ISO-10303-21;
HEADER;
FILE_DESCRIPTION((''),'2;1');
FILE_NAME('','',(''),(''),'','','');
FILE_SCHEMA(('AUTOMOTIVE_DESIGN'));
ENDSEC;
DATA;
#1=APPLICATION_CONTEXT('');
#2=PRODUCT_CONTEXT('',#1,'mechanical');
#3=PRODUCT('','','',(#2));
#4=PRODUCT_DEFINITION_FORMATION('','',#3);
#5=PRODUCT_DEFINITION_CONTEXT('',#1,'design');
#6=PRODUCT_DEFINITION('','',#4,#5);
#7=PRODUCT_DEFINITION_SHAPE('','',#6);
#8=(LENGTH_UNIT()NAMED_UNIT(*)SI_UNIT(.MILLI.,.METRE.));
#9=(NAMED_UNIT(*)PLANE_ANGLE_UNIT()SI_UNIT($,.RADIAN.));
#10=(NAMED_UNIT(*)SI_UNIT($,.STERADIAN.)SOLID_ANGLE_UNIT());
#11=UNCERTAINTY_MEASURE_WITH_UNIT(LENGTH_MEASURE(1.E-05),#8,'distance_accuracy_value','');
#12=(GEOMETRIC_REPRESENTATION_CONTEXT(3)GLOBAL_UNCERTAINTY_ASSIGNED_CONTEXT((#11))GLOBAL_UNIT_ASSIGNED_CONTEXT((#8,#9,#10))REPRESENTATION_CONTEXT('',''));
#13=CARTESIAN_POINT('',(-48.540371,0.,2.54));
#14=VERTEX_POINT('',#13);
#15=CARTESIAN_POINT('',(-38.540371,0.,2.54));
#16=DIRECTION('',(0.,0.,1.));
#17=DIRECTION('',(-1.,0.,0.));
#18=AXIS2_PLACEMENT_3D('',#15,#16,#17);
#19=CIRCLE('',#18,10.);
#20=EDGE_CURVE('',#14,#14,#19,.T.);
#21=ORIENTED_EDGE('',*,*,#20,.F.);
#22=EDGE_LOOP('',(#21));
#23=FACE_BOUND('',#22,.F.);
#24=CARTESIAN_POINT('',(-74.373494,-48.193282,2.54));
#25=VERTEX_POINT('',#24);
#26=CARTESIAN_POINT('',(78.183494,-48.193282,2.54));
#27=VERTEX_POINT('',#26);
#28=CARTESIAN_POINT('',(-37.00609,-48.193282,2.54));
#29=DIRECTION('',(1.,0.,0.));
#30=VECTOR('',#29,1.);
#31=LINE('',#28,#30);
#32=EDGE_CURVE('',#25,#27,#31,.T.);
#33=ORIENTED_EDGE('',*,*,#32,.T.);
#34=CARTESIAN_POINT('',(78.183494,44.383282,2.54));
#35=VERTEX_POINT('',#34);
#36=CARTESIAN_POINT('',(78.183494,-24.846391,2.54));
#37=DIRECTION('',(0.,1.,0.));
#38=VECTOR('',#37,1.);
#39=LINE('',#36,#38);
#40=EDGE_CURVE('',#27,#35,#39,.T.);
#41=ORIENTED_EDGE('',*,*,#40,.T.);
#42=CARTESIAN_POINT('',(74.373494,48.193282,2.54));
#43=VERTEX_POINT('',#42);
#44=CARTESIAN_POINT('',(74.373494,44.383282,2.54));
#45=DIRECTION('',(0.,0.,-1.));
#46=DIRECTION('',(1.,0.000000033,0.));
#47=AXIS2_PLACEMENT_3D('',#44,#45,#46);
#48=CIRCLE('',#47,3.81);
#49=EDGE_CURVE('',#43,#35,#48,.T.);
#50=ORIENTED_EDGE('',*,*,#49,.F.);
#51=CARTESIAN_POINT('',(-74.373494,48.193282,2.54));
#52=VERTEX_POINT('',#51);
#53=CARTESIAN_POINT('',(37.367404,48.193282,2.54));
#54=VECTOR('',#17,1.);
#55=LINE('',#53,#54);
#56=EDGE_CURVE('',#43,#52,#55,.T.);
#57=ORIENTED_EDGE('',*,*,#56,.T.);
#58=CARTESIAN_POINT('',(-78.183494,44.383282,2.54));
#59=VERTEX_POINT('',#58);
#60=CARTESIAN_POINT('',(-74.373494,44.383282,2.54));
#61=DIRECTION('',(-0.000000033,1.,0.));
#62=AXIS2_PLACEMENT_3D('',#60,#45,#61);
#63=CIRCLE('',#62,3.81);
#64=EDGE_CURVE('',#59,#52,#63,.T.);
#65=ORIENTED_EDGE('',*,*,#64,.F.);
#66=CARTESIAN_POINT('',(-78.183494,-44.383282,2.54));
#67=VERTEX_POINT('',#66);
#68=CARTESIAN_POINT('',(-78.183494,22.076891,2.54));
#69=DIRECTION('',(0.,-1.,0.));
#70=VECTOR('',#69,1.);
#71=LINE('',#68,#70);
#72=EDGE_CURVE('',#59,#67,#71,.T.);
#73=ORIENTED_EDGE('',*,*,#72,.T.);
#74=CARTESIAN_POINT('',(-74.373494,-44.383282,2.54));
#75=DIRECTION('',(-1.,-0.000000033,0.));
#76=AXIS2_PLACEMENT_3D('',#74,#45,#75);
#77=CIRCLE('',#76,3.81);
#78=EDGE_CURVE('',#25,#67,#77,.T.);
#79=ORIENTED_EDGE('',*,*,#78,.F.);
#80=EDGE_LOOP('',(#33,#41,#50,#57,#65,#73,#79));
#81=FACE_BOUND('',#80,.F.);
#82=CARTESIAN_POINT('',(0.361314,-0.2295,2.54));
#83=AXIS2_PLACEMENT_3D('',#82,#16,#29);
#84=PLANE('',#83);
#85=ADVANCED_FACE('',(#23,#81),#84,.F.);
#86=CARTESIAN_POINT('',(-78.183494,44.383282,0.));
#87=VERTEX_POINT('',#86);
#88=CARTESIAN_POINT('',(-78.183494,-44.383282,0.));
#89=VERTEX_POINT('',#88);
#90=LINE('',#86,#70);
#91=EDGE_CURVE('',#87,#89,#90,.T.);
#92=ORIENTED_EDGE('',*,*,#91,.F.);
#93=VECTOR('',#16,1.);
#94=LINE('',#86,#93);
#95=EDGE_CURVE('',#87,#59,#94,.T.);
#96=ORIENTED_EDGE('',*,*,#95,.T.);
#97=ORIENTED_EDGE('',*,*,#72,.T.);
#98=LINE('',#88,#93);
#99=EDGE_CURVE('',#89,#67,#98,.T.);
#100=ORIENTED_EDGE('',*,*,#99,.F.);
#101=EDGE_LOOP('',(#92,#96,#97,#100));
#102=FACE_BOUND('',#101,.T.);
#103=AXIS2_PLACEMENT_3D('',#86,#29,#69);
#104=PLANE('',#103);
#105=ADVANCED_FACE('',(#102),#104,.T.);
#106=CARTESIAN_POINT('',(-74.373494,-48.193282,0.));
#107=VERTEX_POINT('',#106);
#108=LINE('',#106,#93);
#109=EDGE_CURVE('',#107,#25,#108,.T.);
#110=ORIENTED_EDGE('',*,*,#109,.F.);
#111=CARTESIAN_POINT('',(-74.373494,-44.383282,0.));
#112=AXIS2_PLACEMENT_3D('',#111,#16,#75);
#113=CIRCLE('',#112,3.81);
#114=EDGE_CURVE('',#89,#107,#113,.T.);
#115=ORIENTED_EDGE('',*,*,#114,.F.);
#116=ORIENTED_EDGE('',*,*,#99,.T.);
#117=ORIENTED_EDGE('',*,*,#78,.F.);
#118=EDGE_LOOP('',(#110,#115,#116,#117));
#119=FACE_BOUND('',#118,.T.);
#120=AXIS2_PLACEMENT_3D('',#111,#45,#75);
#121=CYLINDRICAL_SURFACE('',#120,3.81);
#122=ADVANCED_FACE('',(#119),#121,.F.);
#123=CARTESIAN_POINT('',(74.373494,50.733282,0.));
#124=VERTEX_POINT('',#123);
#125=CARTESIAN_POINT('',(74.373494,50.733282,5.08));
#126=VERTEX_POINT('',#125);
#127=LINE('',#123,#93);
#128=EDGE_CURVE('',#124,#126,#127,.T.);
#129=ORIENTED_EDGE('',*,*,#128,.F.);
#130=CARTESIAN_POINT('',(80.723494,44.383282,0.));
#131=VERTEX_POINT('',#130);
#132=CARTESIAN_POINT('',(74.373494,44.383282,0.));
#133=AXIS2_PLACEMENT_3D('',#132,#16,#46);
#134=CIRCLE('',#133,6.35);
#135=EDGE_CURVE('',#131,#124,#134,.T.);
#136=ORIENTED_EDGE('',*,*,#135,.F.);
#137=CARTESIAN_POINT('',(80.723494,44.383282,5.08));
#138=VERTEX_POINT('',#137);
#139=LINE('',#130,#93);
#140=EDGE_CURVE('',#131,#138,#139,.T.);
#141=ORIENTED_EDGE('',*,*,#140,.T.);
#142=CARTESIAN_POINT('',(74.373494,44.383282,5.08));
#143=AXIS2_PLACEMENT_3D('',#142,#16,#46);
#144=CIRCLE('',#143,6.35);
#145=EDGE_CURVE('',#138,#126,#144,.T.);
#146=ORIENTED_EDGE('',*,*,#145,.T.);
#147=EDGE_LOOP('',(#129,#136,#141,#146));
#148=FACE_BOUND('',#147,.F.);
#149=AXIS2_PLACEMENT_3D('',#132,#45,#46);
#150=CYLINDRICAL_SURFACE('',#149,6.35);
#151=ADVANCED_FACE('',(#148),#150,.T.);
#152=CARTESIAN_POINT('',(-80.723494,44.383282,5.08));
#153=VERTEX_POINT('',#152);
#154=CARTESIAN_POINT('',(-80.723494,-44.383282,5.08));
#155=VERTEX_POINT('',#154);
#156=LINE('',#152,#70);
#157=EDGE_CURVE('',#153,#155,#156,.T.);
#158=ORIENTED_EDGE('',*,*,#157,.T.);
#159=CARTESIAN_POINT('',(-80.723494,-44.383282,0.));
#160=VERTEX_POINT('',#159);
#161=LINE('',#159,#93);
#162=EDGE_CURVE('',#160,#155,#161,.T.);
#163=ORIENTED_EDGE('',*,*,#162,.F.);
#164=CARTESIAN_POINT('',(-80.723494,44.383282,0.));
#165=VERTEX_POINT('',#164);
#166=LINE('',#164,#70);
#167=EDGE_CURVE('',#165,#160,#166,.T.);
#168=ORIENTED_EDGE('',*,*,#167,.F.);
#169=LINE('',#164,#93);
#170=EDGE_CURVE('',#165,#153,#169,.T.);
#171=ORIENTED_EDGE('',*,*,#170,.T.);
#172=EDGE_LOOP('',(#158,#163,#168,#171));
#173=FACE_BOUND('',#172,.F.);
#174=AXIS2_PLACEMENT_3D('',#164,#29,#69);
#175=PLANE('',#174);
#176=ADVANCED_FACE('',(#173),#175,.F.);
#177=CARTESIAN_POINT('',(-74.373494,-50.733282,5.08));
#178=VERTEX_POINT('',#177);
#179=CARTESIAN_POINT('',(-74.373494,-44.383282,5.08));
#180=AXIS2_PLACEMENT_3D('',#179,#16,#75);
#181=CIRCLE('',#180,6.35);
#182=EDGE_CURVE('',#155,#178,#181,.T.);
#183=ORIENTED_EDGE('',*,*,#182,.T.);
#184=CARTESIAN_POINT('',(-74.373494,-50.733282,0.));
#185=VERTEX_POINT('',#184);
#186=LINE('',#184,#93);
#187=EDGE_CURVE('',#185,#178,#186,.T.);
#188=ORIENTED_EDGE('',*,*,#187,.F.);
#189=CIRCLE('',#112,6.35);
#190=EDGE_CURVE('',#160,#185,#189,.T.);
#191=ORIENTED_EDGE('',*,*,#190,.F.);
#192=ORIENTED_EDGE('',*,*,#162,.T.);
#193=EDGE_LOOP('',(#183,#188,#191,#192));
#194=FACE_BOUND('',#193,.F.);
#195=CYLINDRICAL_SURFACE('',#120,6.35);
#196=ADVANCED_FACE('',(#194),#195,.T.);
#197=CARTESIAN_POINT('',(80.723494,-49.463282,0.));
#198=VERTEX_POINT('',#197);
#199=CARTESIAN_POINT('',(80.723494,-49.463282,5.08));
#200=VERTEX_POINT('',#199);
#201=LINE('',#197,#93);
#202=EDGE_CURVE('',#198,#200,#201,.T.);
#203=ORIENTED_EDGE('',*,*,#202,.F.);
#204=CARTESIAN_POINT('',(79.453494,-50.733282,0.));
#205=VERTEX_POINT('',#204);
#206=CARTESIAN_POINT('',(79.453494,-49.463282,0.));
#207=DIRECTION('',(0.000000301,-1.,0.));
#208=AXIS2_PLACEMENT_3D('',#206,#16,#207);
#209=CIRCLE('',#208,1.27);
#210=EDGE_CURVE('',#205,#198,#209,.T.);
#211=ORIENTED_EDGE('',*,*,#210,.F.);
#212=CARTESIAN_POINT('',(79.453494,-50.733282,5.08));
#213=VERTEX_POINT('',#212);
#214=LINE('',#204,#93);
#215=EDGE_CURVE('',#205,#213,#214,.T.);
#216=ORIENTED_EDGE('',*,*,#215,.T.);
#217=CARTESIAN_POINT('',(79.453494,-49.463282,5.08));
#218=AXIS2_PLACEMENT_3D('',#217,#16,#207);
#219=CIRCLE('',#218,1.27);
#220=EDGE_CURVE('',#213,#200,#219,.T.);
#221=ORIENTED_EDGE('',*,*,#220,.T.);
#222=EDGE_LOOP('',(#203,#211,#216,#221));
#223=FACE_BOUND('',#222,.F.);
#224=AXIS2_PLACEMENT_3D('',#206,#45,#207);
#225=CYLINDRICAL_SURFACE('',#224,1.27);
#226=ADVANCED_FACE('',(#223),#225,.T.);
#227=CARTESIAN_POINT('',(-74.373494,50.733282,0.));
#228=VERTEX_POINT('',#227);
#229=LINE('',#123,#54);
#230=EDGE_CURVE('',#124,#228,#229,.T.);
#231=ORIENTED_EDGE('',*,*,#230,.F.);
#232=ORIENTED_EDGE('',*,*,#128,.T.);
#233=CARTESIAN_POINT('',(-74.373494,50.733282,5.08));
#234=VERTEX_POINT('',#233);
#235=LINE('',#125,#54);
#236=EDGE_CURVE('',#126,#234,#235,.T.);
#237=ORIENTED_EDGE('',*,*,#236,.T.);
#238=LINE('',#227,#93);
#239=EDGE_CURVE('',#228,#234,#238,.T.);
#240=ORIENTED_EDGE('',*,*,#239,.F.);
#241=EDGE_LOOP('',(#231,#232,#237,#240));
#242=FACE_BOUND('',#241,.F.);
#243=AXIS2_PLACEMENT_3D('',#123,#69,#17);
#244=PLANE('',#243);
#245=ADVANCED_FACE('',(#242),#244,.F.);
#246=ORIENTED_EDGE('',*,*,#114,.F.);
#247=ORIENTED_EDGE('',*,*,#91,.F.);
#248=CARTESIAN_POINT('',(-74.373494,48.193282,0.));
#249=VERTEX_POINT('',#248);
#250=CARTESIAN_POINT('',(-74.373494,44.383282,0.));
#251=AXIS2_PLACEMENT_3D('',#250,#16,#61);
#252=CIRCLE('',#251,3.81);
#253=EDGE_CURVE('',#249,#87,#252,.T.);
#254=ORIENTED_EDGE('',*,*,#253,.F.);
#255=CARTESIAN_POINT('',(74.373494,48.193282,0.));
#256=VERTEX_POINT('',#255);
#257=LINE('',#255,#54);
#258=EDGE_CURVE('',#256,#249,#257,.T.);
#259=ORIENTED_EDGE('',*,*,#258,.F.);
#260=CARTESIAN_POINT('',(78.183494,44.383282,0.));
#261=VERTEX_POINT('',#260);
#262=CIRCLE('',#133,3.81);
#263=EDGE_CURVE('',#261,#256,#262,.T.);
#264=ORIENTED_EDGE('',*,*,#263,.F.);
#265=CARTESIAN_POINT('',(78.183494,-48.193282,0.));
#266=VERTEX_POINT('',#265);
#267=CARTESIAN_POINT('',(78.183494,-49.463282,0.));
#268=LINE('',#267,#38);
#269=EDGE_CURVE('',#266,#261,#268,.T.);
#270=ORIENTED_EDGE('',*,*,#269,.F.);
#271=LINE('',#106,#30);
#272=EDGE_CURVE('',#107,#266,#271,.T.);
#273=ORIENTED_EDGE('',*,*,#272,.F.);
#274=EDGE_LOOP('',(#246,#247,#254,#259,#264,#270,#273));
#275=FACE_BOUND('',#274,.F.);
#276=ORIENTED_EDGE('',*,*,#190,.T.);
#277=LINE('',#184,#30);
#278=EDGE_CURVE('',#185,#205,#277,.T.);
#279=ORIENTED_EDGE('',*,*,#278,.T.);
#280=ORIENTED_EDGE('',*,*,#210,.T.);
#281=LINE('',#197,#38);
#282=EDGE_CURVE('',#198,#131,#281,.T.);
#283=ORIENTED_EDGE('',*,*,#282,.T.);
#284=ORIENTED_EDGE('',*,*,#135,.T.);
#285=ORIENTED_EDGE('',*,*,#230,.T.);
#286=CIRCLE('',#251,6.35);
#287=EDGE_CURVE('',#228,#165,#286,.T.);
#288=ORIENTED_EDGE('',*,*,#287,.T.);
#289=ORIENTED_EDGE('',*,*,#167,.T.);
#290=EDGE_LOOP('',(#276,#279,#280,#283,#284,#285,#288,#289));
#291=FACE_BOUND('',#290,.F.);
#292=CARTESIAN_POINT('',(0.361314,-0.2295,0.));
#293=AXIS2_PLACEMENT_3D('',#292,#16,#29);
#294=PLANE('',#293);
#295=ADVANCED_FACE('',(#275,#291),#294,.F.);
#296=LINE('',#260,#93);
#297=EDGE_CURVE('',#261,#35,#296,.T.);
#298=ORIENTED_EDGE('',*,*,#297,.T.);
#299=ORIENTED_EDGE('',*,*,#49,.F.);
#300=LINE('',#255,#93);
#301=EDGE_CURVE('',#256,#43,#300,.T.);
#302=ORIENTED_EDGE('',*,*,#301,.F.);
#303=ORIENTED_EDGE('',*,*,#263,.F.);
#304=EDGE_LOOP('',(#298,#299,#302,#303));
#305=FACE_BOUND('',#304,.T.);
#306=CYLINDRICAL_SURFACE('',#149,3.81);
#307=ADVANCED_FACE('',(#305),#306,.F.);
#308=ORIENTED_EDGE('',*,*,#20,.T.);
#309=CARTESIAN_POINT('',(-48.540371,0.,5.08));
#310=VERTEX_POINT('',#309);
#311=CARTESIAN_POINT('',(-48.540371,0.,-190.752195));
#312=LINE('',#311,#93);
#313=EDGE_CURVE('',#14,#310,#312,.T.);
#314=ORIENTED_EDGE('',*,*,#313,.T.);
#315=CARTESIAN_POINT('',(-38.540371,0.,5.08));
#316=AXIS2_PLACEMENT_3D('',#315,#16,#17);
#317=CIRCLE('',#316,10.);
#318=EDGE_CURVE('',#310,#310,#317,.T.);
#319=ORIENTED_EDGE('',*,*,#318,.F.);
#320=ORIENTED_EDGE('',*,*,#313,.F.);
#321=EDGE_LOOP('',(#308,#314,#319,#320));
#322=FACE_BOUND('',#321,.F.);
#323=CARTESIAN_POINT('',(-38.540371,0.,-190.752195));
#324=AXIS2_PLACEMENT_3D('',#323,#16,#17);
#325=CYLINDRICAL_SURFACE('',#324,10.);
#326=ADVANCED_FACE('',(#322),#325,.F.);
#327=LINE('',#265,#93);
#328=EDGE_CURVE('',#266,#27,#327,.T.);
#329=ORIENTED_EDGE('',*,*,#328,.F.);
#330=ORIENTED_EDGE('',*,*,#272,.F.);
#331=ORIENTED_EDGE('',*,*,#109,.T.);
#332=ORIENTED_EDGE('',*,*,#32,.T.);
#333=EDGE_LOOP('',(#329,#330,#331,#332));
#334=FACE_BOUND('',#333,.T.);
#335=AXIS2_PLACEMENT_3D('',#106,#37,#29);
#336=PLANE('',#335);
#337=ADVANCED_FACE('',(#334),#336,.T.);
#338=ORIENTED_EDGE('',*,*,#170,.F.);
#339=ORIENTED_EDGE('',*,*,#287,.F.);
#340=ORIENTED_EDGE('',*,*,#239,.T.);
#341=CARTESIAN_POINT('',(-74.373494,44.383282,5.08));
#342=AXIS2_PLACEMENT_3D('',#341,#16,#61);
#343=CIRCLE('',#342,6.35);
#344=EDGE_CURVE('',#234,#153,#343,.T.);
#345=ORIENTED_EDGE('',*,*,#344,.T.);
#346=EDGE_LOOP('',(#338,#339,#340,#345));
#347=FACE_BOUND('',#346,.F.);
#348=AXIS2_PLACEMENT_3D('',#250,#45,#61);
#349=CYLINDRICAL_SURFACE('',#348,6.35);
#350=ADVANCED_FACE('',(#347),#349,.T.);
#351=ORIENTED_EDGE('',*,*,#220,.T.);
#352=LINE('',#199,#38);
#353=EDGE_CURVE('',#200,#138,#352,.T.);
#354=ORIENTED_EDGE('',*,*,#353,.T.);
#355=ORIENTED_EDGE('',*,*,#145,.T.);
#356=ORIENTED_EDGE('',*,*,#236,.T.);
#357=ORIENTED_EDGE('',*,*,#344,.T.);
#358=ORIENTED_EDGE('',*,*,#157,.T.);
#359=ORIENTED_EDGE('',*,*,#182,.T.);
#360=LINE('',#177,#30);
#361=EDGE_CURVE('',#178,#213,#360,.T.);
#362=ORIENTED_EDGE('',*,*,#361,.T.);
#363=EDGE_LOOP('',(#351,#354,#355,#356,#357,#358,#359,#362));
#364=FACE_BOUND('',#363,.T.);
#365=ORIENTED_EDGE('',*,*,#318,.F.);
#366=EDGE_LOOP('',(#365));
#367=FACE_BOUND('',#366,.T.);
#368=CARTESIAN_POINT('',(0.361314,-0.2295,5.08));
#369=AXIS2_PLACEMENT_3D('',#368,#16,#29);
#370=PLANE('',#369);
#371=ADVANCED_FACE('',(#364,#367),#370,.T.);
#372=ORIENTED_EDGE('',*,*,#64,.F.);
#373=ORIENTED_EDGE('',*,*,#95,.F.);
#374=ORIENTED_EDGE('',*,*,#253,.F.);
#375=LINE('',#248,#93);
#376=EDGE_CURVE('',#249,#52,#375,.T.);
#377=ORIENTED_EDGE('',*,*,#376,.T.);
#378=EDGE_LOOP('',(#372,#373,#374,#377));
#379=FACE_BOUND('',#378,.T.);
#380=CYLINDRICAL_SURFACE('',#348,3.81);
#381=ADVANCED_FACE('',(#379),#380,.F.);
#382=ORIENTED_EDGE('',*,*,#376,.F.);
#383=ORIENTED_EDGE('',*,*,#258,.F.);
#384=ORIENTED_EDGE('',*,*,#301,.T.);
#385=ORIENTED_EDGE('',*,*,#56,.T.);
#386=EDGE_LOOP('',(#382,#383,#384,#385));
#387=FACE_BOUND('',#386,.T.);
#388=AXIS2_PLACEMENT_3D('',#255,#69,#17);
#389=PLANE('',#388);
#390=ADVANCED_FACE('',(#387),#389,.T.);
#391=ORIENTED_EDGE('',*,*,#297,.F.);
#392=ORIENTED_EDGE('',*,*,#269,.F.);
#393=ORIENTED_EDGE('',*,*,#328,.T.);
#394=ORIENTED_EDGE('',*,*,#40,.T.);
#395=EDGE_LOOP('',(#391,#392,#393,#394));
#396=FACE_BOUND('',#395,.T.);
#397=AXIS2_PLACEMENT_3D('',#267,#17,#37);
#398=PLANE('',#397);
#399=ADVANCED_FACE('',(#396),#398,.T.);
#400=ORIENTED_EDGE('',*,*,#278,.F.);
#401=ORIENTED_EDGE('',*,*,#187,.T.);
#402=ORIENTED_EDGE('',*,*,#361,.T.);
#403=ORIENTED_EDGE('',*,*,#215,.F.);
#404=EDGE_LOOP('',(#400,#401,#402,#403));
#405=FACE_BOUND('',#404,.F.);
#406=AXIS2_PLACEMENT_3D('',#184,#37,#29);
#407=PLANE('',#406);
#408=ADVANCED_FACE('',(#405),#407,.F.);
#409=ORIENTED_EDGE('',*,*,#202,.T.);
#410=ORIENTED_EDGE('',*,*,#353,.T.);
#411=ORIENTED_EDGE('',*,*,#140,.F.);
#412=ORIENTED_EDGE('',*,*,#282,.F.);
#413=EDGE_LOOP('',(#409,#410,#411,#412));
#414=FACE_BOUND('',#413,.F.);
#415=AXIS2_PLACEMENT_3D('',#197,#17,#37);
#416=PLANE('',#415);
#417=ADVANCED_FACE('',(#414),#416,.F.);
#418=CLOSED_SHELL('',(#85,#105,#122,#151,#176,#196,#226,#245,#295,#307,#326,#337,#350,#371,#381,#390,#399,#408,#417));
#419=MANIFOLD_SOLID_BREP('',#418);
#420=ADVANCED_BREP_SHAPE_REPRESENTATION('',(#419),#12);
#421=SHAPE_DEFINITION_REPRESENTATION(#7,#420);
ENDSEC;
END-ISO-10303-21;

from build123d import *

# Parameters (mm, degrees)
F1_DEPTH = 5.08
F2_T     = -2.54
F4_D     = 20


with BuildPart() as f1:
    # F0 (on Top) → F1 (new body)
    with BuildSketch(Plane.XY):
        with BuildLine():
            Line((-74.373494, -50.733282), (79.453494, -50.733282))
            ThreePointArc((79.453494, -50.733282), (80.35152, -50.361307), (80.723494, -49.463282))
            Line((80.723494, -49.463282), (80.723494, 44.383282))
            ThreePointArc((80.723494, 44.383282), (78.863622, 48.87341), (74.373494, 50.733282))
            Line((74.373494, 50.733282), (-74.373494, 50.733282))
            ThreePointArc((-74.373494, 50.733282), (-78.863622, 48.87341), (-80.723494, 44.383282))
            Line((-80.723494, 44.383282), (-80.723494, -44.383282))
            ThreePointArc((-80.723494, -44.383282), (-78.863622, -48.87341), (-74.373494, -50.733282))
        make_face()
    extrude(amount=F1_DEPTH)

    # F2
    f2_openings = [f1.faces().sort_by_distance(p)[0] for p in [
        (0.040257, -0.025024, 0),
    ]]
    offset(amount=F2_T, openings=f2_openings)

    # F4 (through all)
    with Locations(Plane(origin=(0, 0, 0), x_dir=(1, 0, 0), z_dir=(0, 0, -1))):
        with Locations((-38.540371, 0)):
            Hole(F4_D / 2)


solid = f1.part
